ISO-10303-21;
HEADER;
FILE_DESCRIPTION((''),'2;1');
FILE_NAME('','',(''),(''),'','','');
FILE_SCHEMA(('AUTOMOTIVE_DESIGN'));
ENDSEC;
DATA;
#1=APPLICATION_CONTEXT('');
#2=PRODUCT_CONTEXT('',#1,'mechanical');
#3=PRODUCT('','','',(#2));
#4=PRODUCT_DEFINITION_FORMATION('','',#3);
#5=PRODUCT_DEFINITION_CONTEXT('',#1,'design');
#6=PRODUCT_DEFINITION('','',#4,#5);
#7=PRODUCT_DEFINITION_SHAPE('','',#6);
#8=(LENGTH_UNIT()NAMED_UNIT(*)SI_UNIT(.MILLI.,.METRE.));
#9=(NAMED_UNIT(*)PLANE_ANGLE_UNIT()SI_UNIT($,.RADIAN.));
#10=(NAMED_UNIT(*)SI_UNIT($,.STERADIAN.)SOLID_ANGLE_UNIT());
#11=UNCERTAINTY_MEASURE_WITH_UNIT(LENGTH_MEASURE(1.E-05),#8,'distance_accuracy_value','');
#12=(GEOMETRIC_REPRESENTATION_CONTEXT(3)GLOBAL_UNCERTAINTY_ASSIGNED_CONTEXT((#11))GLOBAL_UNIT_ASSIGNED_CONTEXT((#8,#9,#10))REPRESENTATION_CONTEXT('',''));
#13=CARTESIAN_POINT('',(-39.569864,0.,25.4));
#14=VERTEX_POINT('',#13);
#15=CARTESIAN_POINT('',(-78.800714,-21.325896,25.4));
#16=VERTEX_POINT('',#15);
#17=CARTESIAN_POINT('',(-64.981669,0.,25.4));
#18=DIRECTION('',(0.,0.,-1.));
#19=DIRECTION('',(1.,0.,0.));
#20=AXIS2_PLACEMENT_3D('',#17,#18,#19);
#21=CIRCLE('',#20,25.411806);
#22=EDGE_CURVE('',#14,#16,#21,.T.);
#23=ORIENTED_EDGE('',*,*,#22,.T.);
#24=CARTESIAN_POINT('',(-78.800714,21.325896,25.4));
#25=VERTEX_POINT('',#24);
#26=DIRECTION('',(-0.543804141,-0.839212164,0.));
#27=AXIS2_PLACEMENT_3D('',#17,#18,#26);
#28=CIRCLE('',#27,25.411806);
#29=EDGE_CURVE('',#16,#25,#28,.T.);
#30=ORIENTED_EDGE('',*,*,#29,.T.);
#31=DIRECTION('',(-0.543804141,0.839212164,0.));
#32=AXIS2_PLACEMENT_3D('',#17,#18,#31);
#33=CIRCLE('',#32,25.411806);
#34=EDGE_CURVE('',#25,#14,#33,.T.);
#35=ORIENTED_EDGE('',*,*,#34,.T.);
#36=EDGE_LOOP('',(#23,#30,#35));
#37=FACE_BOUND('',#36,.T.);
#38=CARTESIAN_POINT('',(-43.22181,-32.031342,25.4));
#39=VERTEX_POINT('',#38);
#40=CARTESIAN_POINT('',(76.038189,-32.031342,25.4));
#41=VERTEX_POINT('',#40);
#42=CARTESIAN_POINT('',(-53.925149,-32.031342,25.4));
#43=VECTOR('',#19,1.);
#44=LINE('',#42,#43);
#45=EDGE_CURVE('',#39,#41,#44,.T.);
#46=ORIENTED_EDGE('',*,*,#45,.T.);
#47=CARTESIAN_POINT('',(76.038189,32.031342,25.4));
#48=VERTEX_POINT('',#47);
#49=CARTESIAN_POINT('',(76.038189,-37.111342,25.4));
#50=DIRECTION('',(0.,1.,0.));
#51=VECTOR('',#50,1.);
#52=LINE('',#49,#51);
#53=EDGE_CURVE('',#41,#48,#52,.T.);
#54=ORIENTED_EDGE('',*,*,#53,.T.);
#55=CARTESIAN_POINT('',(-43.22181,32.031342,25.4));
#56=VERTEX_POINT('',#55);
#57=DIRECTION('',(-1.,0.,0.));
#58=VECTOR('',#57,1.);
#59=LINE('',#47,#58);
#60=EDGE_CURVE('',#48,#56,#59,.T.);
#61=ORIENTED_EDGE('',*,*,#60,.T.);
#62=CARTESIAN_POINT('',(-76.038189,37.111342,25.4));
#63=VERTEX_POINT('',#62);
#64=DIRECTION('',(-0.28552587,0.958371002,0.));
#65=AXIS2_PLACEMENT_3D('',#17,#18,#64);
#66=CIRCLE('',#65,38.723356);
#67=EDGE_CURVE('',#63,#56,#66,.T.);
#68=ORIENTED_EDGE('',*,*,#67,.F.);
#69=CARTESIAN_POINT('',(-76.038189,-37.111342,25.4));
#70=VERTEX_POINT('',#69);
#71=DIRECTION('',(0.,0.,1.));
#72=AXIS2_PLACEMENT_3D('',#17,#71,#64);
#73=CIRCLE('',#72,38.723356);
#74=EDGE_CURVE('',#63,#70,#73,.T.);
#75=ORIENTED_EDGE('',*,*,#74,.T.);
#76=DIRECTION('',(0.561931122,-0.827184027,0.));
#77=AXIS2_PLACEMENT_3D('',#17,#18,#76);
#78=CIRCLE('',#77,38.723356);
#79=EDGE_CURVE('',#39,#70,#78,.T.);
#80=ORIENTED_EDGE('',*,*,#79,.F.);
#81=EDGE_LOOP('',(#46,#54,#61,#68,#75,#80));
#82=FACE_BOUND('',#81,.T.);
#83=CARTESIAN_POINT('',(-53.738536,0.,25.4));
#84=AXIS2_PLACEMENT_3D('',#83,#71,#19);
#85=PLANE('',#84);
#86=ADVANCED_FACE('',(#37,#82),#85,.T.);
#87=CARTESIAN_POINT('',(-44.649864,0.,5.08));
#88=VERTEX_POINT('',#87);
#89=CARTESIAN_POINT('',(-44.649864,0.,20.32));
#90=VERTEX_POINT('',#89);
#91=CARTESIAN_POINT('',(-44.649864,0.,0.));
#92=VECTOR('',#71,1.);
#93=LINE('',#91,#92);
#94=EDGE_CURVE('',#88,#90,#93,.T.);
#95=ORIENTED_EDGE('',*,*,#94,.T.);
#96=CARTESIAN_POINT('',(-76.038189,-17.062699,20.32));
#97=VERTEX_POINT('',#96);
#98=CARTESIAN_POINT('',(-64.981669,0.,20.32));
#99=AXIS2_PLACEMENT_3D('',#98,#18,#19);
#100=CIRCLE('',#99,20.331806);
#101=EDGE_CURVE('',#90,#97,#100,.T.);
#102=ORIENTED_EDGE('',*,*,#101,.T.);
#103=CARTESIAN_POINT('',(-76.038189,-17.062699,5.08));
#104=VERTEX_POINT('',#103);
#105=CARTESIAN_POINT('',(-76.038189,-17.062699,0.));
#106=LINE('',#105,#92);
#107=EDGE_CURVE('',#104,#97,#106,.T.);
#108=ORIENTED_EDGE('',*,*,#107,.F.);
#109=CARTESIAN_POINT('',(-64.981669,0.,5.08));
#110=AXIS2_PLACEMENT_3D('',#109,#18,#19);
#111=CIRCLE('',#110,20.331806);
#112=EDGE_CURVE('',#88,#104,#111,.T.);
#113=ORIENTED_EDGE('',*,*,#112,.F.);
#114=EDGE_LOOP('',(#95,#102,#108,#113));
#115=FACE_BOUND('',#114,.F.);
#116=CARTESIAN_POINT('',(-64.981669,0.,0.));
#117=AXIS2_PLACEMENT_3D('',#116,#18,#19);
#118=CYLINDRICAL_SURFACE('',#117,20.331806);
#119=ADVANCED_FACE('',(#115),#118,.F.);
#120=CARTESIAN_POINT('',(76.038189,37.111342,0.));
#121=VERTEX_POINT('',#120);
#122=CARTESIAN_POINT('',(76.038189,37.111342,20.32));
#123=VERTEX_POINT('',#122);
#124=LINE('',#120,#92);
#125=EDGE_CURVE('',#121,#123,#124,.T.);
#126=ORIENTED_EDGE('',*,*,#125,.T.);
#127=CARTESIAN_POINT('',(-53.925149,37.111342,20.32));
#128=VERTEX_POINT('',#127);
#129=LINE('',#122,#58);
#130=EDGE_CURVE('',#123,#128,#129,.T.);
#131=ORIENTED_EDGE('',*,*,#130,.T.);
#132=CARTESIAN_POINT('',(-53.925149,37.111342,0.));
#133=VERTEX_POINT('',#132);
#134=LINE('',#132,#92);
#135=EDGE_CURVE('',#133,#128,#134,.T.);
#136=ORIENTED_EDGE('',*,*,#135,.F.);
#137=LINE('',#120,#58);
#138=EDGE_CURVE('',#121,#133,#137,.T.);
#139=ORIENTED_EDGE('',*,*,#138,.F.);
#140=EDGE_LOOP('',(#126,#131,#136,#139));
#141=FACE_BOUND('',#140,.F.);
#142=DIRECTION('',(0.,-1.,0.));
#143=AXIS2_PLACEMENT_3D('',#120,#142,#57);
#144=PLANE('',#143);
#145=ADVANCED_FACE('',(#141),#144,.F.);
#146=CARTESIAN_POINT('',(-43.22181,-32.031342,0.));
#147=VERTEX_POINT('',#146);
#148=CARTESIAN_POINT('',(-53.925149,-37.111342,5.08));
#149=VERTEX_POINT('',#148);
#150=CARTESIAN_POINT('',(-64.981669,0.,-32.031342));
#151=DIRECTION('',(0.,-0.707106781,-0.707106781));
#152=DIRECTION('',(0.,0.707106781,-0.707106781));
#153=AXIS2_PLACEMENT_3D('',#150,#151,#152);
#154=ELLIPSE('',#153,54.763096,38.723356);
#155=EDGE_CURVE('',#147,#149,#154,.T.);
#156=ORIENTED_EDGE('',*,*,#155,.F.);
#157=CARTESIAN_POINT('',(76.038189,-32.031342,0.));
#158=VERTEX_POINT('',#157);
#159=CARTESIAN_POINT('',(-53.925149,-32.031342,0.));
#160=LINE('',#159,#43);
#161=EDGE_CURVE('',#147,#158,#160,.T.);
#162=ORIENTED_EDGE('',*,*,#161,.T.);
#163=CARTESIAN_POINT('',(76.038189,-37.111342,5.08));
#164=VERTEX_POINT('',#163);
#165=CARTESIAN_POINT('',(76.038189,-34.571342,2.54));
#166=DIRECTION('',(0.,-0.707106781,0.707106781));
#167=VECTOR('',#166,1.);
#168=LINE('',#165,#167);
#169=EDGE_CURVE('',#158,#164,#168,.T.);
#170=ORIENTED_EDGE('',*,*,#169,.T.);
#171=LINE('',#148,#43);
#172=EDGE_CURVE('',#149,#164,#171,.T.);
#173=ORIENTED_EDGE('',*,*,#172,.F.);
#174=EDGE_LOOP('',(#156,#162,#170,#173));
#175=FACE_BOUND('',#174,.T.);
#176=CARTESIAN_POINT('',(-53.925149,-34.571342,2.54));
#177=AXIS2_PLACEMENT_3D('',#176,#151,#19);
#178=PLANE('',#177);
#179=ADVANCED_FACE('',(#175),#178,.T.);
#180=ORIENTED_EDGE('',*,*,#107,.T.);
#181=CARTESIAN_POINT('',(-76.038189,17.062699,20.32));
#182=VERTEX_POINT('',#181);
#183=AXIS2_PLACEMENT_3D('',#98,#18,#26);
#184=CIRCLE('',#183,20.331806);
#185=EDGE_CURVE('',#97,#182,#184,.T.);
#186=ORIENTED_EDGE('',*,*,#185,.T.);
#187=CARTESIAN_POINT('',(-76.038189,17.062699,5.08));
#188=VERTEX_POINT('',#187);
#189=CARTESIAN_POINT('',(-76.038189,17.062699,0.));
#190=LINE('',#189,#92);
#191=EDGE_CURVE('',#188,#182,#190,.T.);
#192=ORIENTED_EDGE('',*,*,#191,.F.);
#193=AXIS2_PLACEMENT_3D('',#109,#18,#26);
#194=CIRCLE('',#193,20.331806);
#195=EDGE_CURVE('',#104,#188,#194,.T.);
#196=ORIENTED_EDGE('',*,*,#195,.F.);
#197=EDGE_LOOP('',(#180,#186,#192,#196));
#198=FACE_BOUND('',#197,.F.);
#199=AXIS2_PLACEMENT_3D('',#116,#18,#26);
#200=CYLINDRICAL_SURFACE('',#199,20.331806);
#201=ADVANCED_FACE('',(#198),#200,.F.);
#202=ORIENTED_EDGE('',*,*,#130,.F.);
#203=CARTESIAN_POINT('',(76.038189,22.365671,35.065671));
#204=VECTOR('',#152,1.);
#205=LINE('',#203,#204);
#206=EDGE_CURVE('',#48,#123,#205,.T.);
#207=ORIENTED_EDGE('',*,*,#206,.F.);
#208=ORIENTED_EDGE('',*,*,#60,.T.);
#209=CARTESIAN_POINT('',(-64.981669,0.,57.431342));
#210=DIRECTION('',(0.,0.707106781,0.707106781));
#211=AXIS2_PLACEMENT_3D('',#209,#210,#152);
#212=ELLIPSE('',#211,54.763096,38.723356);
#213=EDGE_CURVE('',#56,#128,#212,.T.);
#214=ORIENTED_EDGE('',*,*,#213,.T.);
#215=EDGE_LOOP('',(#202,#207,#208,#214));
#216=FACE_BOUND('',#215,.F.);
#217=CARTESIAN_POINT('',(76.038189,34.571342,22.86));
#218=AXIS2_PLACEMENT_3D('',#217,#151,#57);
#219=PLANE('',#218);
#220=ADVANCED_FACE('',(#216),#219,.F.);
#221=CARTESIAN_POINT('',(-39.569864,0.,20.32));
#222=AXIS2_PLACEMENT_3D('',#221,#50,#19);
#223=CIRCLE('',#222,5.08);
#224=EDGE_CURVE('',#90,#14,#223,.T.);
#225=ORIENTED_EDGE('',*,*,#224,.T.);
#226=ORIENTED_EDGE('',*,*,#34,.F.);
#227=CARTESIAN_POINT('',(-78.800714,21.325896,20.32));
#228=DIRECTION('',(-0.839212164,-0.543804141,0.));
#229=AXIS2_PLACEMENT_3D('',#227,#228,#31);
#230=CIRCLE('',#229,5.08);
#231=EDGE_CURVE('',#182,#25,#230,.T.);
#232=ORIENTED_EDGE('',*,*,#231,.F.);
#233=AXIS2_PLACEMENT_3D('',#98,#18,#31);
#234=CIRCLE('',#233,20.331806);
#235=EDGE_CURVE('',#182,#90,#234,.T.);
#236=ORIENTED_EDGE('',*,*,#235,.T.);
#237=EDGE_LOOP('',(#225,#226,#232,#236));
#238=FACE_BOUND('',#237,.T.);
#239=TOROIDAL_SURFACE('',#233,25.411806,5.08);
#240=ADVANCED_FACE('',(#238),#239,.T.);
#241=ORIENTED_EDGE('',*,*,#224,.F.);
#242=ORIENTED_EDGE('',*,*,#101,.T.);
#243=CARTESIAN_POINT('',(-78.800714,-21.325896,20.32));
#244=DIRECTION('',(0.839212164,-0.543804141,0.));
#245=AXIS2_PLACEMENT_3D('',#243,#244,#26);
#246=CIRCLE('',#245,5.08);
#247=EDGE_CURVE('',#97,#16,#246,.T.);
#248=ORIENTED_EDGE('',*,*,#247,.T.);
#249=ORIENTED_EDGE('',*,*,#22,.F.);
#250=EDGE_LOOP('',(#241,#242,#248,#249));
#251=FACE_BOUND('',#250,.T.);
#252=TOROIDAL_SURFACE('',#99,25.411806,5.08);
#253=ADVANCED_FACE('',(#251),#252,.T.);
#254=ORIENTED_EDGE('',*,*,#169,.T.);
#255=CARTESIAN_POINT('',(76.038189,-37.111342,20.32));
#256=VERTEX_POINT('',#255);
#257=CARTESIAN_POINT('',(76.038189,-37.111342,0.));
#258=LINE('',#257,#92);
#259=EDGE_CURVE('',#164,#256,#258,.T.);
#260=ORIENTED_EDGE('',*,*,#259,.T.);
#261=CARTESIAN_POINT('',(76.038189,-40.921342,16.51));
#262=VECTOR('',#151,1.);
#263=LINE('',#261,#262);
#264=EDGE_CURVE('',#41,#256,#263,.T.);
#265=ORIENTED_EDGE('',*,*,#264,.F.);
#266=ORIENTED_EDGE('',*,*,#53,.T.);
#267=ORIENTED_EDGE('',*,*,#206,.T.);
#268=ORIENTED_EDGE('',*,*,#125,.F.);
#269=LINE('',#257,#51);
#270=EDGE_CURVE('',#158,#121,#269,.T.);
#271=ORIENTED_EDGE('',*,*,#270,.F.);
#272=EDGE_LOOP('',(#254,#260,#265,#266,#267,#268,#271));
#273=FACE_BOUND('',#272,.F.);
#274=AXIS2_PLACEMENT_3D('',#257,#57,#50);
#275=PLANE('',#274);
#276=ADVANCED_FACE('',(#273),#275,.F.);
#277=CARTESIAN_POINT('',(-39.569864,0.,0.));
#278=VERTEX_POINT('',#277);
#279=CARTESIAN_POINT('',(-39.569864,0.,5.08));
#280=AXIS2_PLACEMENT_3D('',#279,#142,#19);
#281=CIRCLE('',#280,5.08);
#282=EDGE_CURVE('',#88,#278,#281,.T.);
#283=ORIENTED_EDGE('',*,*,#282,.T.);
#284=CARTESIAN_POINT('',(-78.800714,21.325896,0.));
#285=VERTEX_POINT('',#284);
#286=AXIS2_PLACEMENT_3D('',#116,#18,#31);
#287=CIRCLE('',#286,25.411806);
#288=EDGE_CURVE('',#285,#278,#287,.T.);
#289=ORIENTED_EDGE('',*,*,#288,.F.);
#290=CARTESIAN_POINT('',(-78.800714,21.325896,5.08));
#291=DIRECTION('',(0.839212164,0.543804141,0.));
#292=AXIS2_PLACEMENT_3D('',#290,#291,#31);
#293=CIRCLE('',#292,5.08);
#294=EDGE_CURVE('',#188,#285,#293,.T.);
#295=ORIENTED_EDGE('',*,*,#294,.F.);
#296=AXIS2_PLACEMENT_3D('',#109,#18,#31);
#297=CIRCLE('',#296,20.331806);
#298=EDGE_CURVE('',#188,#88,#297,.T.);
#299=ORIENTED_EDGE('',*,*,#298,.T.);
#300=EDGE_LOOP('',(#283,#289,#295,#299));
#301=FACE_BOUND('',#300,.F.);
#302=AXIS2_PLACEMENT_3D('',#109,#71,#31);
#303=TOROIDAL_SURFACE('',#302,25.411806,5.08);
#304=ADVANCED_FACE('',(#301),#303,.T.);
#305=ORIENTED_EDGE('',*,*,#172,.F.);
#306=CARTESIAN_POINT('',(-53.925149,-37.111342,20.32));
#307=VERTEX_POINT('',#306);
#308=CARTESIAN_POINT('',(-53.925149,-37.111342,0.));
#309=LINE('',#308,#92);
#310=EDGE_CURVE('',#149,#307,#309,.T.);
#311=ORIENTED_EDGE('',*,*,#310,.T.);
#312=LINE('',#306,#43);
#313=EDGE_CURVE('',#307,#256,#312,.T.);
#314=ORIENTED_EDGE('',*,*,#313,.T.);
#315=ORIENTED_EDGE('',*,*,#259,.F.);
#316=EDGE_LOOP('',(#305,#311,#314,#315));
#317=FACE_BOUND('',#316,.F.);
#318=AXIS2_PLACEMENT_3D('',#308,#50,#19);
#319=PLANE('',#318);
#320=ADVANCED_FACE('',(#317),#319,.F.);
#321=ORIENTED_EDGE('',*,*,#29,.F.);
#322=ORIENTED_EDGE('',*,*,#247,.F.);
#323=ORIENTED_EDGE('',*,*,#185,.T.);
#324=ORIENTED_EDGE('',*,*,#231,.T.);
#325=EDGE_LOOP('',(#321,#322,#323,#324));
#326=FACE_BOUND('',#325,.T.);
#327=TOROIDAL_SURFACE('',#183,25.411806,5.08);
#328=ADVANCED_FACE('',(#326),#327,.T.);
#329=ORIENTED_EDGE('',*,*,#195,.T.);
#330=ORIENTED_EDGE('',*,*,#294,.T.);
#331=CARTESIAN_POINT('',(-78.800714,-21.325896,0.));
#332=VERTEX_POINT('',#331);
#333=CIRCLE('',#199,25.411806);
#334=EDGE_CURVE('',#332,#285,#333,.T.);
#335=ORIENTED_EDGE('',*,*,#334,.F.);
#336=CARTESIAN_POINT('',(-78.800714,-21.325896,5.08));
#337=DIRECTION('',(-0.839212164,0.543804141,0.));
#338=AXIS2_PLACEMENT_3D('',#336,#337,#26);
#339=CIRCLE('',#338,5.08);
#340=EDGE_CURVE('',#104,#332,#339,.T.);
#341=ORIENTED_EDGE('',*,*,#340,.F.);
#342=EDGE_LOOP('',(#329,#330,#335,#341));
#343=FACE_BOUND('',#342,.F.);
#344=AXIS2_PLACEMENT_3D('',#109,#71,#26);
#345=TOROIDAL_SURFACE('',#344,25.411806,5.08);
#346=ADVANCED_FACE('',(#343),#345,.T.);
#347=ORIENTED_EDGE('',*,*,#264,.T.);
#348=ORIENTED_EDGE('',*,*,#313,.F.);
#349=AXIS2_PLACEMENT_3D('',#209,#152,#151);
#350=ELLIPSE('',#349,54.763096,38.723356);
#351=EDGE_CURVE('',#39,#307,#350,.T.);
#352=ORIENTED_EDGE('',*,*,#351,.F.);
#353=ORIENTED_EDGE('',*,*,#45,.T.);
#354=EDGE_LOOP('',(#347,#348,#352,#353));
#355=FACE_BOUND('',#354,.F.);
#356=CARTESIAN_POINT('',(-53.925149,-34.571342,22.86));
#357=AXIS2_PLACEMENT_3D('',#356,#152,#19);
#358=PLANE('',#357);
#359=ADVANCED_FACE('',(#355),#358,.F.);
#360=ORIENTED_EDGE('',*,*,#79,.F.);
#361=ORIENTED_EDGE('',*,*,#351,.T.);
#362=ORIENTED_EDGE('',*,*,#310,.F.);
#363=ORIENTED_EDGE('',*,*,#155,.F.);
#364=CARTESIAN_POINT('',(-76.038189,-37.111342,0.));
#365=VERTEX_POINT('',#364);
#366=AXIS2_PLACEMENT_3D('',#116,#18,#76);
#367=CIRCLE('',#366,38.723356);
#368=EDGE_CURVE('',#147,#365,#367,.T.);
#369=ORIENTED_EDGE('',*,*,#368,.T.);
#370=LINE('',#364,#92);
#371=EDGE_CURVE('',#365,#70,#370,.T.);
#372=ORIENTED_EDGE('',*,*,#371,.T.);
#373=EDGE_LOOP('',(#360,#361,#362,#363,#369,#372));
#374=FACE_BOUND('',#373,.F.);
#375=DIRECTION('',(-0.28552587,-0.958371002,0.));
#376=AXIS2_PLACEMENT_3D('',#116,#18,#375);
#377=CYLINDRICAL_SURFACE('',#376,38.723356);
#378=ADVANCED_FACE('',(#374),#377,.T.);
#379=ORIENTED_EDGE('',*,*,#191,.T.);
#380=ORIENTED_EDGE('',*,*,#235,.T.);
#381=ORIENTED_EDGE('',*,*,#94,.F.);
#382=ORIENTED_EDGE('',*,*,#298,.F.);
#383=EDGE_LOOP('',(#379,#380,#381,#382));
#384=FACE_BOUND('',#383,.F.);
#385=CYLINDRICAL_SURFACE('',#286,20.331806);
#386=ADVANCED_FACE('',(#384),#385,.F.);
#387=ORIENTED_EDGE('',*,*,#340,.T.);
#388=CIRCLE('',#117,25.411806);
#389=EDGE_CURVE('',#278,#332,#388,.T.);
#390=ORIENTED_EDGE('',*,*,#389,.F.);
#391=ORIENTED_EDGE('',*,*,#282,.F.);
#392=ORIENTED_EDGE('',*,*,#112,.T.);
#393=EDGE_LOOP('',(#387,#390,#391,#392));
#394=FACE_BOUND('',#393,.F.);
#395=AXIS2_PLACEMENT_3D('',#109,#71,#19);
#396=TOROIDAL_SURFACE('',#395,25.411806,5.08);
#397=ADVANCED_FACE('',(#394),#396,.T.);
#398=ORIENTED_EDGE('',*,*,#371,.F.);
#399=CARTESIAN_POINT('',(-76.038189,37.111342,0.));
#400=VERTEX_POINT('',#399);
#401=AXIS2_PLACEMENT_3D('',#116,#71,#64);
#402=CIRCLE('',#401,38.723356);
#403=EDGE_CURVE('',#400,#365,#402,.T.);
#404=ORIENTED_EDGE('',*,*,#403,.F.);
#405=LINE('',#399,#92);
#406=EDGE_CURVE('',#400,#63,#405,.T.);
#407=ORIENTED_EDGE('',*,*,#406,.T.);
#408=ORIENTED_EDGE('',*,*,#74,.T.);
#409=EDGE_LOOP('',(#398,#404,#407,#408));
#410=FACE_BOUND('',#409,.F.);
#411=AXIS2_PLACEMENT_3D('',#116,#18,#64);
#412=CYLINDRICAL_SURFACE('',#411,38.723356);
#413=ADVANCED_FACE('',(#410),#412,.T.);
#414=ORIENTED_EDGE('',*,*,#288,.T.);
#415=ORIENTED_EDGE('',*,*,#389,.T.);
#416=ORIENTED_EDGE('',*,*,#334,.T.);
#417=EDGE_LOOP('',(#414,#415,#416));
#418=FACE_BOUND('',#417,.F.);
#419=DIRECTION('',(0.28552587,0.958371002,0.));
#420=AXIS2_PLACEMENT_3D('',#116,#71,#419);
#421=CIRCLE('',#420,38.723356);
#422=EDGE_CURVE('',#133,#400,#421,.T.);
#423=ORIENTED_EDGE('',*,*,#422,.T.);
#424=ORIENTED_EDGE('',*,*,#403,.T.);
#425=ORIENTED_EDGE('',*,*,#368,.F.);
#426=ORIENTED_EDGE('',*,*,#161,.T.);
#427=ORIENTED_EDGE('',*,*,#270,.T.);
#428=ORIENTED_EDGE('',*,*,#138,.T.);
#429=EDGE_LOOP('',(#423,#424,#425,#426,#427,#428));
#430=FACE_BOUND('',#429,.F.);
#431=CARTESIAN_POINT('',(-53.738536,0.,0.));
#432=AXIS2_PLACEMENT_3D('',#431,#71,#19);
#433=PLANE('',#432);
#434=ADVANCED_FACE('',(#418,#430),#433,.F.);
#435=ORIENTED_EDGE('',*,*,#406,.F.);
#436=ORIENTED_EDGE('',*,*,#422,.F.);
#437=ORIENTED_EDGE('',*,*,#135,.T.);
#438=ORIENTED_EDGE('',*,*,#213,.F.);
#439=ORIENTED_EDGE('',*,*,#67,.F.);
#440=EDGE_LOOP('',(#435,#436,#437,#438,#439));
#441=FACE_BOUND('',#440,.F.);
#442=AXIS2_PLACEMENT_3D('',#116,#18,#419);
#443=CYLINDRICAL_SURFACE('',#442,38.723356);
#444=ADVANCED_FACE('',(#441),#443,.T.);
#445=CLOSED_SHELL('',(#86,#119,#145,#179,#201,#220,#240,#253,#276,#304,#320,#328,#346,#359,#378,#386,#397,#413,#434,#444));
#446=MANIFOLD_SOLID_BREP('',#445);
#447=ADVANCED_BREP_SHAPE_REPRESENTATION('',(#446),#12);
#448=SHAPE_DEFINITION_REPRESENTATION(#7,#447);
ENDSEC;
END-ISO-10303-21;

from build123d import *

# Parameters (mm, degrees)
F1_DEPTH = 25.4
F2_R     = 5.08
F3_R     = 5.08
F4_SIZE  = 5.08


with BuildPart() as f1:
    # F0 (on Top) → F1 (new body)
    with BuildSketch(Plane.XY):
        with BuildLine():
            Line((-76.0381892323, -17.0626985246), (-76.0381892323, -37.1113419533))
            Line((-76.0381892323, -37.1113419533), (-53.9251491427, -37.1113419533))
            ThreePointArc((-53.9251491427, -37.1113419533), (-33.9361871958, -23.1446837303), (-26.2583127076, 0))
            ThreePointArc((-26.2583127076, 0), (-33.9361871958, 23.1446837303), (-53.9251491427, 37.1113419533))
            Line((-53.9251491427, 37.1113419533), (-76.0381892323, 37.1113419533))
            Line((-76.0381892323, 37.1113419533), (-76.0381892323, 17.0626985246))
            ThreePointArc((-76.0381892323, 17.0626985246), (-55.2712803961, 17.8631090788), (-44.6498636494, 0))
            ThreePointArc((-44.6498636494, 0), (-55.2712803961, -17.8631090788), (-76.0381892323, -17.0626985246))
        make_face()
        with BuildLine():
            ThreePointArc((-76.0381892323, 37.1113419533), (-103.7050256675, 0), (-76.0381892323, -37.1113419533))
            Line((-76.0381892323, -37.1113419533), (-76.0381892323, -17.0626985246))
            ThreePointArc((-76.0381892323, -17.0626985246), (-85.3134747257, 0), (-76.0381892323, 17.0626985246))
            Line((-76.0381892323, 17.0626985246), (-76.0381892323, 37.1113419533))
        make_face()
        with BuildLine():
            Line((-53.9251491427, -37.1113419533), (-76.0381892323, -37.1113419533))
            ThreePointArc((-76.0381892323, -37.1113419533), (-64.9816691875, -38.72335648), (-53.9251491427, -37.1113419533))
        make_face()
        with BuildLine():
            ThreePointArc((-26.2583127076, 0), (-33.9361871958, -23.1446837303), (-53.9251491427, -37.1113419533))
            Line((-53.9251491427, -37.1113419533), (76.0381892323, -37.1113419533))
            Line((76.0381892323, -37.1113419533), (76.0381892323, 37.1113419533))
            Line((76.0381892323, 37.1113419533), (-53.9251491427, 37.1113419533))
            ThreePointArc((-53.9251491427, 37.1113419533), (-33.9361871958, 23.1446837303), (-26.2583127076, 0))
        make_face()
        with BuildLine():
            ThreePointArc((-53.9251491427, 37.1113419533), (-64.9816691875, 38.72335648), (-76.0381892323, 37.1113419533))
            Line((-76.0381892323, 37.1113419533), (-53.9251491427, 37.1113419533))
        make_face()
    extrude(amount=F1_DEPTH)

    # F2
    f2_edges = [f1.edges().sort_by_distance(p)[0] for p in [
        (-85.313475, 0, 25.4),
    ]]
    fillet(f2_edges, radius=F2_R)

    # F3
    f3_edges = [f1.edges().sort_by_distance(p)[0] for p in [
        (-85.313475, 0, 0),
    ]]
    fillet(f3_edges, radius=F3_R)

    # F4
    f4_edges = [f1.edges().sort_by_distance(p)[0] for p in [
        (11.05652, -37.111342, 25.4),
        (11.05652, 37.111342, 25.4),
        (11.05652, -37.111342, 0),
    ]]
    chamfer(f4_edges, length=F4_SIZE)


solid = f1.part
